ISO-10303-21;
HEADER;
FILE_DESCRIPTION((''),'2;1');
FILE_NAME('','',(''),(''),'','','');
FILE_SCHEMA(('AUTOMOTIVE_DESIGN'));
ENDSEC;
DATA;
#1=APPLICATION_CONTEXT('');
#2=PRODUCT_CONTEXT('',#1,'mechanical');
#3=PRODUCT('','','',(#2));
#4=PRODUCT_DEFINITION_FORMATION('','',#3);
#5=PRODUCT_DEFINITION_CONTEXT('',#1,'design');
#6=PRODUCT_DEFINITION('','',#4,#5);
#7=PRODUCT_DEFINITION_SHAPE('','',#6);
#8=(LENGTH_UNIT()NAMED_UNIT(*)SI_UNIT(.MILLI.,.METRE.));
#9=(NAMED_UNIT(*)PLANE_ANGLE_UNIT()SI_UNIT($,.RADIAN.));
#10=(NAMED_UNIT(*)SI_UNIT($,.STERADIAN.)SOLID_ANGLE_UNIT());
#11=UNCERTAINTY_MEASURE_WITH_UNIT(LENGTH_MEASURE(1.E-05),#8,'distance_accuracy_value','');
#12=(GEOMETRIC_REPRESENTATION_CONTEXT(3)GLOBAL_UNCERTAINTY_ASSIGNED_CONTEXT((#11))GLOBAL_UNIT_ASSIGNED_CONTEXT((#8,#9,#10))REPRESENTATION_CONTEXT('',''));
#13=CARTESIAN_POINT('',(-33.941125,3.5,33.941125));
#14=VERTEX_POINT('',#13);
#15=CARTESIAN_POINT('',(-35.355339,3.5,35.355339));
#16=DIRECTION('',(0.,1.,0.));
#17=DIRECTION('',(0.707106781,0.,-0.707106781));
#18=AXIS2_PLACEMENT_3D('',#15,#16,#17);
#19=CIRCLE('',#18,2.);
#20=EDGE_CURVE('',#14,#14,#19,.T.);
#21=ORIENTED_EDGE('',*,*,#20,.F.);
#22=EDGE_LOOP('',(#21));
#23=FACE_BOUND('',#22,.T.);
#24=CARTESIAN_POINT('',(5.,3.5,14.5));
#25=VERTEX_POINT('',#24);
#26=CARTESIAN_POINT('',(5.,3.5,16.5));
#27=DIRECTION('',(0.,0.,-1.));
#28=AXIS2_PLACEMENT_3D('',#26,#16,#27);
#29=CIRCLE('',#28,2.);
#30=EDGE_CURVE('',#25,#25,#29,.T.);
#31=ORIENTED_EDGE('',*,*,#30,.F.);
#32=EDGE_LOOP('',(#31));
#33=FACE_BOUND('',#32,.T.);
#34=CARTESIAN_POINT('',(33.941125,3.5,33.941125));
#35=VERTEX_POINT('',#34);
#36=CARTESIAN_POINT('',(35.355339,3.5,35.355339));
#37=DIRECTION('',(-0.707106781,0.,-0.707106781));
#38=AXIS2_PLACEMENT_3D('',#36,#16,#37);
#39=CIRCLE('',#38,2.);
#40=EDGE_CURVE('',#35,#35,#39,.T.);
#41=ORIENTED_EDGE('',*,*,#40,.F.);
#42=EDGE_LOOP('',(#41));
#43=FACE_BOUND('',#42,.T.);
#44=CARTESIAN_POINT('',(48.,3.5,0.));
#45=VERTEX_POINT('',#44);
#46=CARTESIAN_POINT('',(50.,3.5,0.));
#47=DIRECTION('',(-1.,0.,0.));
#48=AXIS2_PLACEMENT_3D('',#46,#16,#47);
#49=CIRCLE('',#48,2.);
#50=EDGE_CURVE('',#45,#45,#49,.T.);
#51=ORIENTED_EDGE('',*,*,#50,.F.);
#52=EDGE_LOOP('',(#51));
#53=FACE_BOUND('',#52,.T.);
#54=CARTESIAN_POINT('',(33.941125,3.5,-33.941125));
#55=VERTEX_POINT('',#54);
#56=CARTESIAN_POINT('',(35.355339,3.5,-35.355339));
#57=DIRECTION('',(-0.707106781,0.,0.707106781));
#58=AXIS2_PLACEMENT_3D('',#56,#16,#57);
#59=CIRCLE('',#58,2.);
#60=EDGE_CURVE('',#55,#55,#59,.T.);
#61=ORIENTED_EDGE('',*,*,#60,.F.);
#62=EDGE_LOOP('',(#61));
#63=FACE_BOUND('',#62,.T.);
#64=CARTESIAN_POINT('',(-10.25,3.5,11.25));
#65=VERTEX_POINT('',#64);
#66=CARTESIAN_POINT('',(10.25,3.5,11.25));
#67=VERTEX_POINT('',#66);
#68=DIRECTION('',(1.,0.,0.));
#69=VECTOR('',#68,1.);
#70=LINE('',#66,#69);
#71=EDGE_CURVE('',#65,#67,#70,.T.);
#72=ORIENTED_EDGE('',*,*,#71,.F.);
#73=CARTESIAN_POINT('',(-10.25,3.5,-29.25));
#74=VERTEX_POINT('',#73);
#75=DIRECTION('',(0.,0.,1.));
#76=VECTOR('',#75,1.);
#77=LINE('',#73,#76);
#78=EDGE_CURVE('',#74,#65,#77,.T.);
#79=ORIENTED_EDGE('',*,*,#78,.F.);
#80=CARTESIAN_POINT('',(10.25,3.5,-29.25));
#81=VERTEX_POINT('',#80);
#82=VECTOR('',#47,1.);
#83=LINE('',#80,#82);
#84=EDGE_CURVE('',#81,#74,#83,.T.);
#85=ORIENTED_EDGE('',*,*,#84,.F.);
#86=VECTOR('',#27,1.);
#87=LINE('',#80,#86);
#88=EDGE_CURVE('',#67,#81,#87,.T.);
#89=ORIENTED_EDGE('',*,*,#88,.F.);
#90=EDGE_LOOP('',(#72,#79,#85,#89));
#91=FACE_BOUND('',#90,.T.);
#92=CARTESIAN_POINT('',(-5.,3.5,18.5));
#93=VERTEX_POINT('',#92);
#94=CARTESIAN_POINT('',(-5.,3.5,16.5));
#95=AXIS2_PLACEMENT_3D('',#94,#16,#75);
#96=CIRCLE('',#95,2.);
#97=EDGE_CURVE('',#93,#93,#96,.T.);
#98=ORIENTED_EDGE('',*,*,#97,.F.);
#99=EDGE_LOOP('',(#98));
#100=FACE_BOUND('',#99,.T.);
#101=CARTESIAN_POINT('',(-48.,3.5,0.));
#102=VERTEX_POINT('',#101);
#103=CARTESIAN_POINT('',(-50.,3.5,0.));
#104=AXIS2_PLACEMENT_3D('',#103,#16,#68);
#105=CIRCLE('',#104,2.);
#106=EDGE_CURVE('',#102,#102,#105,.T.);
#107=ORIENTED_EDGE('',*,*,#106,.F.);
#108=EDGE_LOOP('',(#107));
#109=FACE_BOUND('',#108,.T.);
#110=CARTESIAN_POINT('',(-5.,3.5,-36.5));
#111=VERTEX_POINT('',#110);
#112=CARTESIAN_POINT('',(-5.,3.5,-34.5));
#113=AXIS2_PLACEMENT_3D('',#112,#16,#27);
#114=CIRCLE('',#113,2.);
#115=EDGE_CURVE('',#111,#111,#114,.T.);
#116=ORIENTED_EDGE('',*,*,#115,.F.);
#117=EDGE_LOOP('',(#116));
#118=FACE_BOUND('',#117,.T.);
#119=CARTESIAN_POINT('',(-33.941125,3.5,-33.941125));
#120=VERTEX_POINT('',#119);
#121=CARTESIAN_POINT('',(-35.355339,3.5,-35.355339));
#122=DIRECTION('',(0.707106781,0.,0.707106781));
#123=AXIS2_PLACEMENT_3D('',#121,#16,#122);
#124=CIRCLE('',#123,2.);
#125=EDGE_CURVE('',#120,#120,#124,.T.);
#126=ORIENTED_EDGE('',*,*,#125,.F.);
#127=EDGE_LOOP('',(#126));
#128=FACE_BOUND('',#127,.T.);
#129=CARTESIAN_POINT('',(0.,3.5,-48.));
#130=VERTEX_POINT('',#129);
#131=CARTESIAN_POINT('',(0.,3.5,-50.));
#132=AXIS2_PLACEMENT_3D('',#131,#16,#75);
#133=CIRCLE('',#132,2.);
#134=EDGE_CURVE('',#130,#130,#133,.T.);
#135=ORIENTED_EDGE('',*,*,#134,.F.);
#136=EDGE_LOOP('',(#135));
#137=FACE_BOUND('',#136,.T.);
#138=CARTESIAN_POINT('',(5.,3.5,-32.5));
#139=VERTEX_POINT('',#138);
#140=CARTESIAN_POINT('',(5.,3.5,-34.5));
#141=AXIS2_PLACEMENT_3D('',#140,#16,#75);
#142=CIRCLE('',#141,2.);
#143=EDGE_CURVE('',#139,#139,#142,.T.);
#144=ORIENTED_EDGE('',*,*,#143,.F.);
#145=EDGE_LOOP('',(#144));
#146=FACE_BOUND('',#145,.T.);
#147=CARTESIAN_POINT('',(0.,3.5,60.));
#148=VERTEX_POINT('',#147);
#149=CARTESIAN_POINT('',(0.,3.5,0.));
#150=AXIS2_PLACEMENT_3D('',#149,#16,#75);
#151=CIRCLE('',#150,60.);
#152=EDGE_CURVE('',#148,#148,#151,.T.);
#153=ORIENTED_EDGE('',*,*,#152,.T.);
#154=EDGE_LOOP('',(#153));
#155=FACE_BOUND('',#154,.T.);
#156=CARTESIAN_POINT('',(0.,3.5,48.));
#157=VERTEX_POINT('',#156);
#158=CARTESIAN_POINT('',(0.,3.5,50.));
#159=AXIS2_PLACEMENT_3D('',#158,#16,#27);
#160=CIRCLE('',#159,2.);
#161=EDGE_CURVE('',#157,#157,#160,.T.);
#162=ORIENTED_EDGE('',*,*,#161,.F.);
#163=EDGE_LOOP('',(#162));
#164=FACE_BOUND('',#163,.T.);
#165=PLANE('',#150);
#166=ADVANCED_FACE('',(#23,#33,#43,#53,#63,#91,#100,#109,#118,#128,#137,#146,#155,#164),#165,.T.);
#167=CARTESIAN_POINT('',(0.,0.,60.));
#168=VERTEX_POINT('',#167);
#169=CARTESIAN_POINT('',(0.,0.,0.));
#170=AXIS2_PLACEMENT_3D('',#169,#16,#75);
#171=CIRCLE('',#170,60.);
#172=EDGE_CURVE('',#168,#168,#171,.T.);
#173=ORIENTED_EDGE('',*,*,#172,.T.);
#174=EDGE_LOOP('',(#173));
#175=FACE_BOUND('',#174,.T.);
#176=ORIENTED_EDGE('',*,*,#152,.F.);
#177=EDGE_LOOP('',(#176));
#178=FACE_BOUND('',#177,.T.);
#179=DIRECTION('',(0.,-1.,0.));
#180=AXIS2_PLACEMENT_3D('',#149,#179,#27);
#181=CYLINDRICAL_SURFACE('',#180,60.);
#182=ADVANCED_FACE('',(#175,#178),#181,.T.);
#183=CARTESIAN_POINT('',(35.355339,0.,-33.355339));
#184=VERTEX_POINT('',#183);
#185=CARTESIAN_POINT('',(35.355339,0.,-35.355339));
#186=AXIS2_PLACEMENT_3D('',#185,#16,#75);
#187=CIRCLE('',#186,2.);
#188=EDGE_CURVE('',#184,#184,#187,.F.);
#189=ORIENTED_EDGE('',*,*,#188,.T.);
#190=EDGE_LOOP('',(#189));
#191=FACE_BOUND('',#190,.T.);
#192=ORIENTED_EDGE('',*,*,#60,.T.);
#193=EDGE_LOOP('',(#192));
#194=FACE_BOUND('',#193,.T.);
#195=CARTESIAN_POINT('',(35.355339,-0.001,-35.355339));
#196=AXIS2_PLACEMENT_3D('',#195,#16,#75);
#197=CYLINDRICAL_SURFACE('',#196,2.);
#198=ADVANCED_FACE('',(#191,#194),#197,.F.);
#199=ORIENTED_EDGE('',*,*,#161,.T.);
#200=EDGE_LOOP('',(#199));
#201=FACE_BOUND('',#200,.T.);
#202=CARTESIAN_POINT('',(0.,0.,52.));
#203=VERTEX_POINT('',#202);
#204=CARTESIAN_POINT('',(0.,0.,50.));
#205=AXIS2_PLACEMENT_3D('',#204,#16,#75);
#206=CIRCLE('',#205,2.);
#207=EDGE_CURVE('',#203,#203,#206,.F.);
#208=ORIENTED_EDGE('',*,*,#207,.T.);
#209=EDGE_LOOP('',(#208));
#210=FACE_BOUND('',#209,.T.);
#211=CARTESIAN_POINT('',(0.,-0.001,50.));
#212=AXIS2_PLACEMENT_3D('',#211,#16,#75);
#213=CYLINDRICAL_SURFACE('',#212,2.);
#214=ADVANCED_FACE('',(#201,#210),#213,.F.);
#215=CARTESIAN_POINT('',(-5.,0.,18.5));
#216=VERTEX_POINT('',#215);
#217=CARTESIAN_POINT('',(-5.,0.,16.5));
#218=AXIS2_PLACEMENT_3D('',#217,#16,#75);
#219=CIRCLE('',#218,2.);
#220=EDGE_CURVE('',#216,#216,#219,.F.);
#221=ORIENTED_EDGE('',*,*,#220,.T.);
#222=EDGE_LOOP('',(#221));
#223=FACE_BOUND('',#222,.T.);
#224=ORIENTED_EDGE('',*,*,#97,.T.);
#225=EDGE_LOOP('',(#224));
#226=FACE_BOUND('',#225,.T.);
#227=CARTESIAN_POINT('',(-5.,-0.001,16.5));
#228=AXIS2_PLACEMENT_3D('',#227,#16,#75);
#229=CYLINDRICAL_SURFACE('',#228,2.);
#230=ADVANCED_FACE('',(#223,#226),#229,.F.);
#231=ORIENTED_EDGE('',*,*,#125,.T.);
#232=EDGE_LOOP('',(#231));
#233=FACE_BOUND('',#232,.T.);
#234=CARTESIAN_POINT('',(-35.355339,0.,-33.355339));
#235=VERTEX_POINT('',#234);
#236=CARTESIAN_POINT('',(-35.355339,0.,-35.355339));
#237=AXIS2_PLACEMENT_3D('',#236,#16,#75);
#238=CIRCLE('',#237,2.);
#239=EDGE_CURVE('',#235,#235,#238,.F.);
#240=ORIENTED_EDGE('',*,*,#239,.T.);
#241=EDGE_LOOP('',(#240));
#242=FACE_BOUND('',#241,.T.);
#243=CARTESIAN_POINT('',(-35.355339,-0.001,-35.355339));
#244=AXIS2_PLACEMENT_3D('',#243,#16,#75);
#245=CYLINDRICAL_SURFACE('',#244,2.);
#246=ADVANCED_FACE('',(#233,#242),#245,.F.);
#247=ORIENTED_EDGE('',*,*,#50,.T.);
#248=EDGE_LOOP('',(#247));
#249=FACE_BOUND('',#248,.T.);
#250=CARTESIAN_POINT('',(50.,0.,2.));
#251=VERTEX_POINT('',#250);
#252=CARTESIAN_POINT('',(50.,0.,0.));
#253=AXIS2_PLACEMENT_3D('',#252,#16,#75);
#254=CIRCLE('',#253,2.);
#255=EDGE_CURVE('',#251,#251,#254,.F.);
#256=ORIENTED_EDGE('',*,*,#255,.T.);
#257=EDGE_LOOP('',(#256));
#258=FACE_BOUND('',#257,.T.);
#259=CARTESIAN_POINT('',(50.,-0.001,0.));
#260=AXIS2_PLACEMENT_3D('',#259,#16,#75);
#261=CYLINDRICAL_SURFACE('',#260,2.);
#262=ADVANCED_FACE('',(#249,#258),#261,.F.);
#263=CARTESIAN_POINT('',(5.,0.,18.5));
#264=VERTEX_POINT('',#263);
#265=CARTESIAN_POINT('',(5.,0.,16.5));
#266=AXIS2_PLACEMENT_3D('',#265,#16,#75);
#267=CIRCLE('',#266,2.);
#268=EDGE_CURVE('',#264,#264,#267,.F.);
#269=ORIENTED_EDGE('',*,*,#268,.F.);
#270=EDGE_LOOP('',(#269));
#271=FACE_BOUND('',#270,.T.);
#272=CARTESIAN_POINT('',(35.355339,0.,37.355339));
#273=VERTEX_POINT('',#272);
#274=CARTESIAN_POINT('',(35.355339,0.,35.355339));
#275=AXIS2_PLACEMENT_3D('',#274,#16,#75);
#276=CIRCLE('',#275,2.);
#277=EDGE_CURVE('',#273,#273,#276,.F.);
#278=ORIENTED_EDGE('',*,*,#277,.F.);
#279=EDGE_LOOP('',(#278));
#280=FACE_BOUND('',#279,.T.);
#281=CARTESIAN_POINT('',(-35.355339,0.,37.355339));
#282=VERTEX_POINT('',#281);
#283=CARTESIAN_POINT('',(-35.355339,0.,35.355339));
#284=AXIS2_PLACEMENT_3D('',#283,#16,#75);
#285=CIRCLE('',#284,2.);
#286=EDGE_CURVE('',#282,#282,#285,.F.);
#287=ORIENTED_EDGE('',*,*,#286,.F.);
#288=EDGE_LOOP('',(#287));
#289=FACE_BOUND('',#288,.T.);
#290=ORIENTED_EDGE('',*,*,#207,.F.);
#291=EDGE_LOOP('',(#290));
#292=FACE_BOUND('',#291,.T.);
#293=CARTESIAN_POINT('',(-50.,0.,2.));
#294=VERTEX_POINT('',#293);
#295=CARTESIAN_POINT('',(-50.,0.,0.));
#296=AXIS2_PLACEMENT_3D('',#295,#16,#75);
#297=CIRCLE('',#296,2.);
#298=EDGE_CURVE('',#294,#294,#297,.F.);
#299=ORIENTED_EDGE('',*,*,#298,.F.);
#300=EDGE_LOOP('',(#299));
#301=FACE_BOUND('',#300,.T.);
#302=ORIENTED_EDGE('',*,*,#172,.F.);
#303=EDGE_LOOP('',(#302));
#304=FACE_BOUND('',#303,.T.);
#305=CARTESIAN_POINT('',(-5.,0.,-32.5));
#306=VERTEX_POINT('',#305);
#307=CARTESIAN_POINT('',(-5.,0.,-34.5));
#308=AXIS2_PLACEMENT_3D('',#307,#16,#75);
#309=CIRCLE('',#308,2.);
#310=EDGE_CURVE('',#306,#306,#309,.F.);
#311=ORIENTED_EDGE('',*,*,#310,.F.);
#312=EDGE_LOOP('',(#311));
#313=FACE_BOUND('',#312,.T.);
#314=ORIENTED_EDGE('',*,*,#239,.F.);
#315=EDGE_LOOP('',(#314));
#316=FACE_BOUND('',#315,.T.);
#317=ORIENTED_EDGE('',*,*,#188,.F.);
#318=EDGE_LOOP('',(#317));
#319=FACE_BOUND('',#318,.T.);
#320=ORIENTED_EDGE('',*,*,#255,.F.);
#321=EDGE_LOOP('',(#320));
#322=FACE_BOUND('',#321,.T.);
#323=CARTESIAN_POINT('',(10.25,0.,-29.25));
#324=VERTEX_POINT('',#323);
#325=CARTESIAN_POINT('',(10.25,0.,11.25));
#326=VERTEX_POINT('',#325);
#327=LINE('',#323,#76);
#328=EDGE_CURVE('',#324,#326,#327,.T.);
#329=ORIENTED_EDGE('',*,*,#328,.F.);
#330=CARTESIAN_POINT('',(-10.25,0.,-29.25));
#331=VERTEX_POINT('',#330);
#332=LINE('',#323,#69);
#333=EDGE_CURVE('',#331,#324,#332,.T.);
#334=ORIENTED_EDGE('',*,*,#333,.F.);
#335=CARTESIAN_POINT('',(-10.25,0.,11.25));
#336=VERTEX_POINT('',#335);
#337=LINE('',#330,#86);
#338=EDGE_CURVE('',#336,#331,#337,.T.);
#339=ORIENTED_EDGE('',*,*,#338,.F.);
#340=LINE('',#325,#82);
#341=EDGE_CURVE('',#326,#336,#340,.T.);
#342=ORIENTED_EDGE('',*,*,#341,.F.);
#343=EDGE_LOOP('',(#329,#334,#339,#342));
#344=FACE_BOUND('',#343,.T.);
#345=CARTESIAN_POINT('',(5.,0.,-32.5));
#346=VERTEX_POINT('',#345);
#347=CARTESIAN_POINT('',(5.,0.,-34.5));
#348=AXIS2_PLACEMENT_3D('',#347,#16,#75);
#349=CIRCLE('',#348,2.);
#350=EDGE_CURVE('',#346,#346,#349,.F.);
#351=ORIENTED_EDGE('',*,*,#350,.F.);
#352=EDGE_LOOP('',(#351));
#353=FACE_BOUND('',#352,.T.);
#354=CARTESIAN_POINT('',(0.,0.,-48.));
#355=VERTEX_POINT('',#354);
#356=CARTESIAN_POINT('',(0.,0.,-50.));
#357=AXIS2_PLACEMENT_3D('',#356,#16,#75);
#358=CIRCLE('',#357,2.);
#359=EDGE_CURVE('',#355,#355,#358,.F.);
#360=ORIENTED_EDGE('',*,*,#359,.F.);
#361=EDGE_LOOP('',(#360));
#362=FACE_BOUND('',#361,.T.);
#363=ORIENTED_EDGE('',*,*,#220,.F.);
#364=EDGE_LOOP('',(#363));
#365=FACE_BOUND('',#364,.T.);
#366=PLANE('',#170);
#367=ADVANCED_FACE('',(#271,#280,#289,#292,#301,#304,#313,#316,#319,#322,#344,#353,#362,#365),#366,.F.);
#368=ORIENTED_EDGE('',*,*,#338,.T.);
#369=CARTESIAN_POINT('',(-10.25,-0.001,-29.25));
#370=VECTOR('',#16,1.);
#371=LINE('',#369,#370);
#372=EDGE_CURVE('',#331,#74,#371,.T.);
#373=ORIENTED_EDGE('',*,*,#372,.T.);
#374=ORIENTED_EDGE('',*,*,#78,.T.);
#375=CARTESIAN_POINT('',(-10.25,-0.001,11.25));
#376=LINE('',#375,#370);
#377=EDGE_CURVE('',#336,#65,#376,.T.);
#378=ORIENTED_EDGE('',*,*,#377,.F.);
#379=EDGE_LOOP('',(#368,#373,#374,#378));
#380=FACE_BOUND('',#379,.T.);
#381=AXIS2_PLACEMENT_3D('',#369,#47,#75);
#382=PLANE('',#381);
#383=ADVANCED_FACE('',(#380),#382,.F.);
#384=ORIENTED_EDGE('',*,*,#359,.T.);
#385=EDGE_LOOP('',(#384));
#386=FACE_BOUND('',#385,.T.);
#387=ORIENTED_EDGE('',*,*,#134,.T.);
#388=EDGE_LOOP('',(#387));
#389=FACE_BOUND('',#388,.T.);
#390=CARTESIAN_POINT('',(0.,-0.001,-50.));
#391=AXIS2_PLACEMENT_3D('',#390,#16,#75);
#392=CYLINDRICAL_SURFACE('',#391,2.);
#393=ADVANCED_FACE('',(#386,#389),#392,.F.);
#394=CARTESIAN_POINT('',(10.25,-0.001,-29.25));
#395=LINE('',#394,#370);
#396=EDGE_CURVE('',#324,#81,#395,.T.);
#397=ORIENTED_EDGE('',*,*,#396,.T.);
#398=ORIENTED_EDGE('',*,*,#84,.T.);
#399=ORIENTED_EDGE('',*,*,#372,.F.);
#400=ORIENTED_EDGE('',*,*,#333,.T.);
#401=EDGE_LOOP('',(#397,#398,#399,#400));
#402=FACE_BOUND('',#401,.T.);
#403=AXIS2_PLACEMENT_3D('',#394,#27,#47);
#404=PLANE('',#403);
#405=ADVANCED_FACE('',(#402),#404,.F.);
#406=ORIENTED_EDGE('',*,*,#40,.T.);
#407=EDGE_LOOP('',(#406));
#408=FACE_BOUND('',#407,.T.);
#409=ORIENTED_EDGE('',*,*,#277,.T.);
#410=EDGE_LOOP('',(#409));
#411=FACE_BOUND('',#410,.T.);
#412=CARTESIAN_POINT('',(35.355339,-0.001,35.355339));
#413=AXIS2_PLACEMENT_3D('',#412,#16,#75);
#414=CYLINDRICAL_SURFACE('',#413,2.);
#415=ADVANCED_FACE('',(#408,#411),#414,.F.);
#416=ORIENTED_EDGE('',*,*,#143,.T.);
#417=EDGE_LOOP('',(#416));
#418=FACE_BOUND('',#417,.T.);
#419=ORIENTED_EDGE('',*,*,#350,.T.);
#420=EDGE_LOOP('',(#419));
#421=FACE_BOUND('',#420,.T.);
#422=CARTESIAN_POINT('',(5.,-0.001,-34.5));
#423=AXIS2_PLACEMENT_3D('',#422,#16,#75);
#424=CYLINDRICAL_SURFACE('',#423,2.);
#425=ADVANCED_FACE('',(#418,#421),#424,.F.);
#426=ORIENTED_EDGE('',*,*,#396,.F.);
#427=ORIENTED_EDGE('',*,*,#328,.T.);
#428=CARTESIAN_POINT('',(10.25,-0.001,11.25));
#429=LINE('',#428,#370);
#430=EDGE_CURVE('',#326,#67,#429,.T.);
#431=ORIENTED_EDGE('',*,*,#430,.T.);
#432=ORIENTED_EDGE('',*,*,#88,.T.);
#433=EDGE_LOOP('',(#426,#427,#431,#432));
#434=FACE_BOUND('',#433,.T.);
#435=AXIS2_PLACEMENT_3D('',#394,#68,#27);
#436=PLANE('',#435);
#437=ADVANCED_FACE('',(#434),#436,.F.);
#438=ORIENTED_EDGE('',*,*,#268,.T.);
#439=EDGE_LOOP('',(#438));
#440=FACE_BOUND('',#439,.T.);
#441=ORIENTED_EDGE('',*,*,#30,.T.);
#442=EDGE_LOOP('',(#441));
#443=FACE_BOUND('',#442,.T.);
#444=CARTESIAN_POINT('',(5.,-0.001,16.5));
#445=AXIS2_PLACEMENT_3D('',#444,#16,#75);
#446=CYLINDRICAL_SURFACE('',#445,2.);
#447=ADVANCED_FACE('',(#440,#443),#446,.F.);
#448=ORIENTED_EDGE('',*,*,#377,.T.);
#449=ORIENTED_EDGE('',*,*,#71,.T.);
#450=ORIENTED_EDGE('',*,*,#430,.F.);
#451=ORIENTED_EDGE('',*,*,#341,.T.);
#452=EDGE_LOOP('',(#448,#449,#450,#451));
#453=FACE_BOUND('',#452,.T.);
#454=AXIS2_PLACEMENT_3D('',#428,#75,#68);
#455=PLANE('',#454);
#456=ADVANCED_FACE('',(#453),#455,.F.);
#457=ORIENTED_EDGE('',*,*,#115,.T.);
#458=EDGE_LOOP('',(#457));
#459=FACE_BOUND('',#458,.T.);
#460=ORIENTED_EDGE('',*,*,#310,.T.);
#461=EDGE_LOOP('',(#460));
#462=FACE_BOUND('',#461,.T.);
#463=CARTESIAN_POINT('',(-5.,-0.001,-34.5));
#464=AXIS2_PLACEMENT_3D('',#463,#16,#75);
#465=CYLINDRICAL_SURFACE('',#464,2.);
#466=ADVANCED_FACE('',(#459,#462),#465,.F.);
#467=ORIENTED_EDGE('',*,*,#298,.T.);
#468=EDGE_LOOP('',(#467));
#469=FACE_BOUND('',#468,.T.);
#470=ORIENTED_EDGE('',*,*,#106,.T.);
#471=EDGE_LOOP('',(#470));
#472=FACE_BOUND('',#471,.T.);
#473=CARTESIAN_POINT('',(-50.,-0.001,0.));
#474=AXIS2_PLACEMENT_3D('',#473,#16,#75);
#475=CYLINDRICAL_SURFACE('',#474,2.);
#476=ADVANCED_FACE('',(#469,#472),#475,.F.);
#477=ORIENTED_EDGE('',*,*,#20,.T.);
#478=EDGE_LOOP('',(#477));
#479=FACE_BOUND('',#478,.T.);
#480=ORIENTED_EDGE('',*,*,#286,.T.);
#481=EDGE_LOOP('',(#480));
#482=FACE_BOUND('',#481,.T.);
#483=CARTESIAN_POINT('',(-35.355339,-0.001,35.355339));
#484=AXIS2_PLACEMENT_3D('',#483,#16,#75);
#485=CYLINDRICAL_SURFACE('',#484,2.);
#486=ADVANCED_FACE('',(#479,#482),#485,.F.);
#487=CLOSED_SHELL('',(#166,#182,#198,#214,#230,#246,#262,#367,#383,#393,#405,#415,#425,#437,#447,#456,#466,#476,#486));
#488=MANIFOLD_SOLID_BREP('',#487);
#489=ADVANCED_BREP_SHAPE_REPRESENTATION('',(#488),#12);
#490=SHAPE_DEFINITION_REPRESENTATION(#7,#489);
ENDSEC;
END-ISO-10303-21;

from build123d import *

# Parameters (mm, degrees)
CROQUIS1_R              = 60
SALIENTE_EXTRUIR1_DEPTH = 3.5
CROQUIS2_R              = 2
CORTAR_EXTRUIR1_DEPTH   = 3.5
MATRIZC1_COUNT          = 8
CORTAR_EXTRUIR2_REACH   = 5.5
CROQUIS3_W              = 20.5
CROQUIS3_H              = 40.5
CORTAR_EXTRUIR4_REACH   = 5.5
CROQUIS5_R              = 2


with BuildPart() as part:
    # Croquis1 → Saliente-Extruir1 (new body)
    with BuildSketch(Plane(origin=(0, 0, 0), x_dir=(1, 0, 0), z_dir=(0, 1, 0))):
        Circle(CROQUIS1_R)
    extrude(amount=SALIENTE_EXTRUIR1_DEPTH)

    # Croquis2 → Cortar-Extruir1 (cut)
    with BuildSketch(Plane(origin=(0, 3.5, 0), x_dir=(1, 0, 0), z_dir=(0, 1, 0))):
        with Locations((0, 50)):
            Circle(CROQUIS2_R)
    cortar_extruir1 = extrude(amount=-CORTAR_EXTRUIR1_DEPTH, mode=Mode.SUBTRACT)

    # MatrizC1: Cortar-Extruir1 ×8 about axis
    matrizc1_axis = Axis((0, 0, 0), (0, 1, 0))
    for i in range(1, MATRIZC1_COUNT):
        add(cortar_extruir1.rotate(matrizc1_axis, i * 360 / MATRIZC1_COUNT), mode=Mode.SUBTRACT)

    # Croquis3 → Cortar-Extruir2 (cut, up to next)
    with BuildSketch(Plane(origin=(0, 3.5, 0), x_dir=(1, 0, 0), z_dir=(0, 1, 0)), mode=Mode.PRIVATE) as cortar_extruir2_sk1:
        with Locations((0, 9)):
            Rectangle(CROQUIS3_W, CROQUIS3_H)
    cortar_extruir2_tool1 = extrude(cortar_extruir2_sk1.sketch, amount=-CORTAR_EXTRUIR2_REACH, mode=Mode.PRIVATE) & part.part
    add(cortar_extruir2_tool1.solids().sort_by_distance((0, 3.5, -9))[0], mode=Mode.SUBTRACT)

    # Croquis5 → Cortar-Extruir4 (cut, up to next)
    with BuildSketch(Plane(origin=(0, 3.5, 0), x_dir=(1, 0, 0), z_dir=(0, 1, 0)), mode=Mode.PRIVATE) as cortar_extruir4_sk1:
        with Locations((5, 34.5)):
            Circle(CROQUIS5_R)
    cortar_extruir4_tool1 = extrude(cortar_extruir4_sk1.sketch, amount=-CORTAR_EXTRUIR4_REACH, mode=Mode.PRIVATE) & part.part
    add(cortar_extruir4_tool1.solids().sort_by_distance((5, 3.5, -34.5))[0], mode=Mode.SUBTRACT)
    # Croquis5 → Cortar-Extruir4 (cut, up to next)
    with BuildSketch(Plane(origin=(0, 3.5, 0), x_dir=(1, 0, 0), z_dir=(0, 1, 0)), mode=Mode.PRIVATE) as cortar_extruir4_sk2:
        with Locations((-5, 34.5)):
            Circle(CROQUIS5_R)
    cortar_extruir4_tool2 = extrude(cortar_extruir4_sk2.sketch, amount=-CORTAR_EXTRUIR4_REACH, mode=Mode.PRIVATE) & part.part
    add(cortar_extruir4_tool2.solids().sort_by_distance((-5, 3.5, -34.5))[0], mode=Mode.SUBTRACT)
    # Croquis5 → Cortar-Extruir4 (cut, up to next)
    with BuildSketch(Plane(origin=(0, 3.5, 0), x_dir=(1, 0, 0), z_dir=(0, 1, 0)), mode=Mode.PRIVATE) as cortar_extruir4_sk3:
        with Locations((-5, -16.5)):
            Circle(CROQUIS5_R)
    cortar_extruir4_tool3 = extrude(cortar_extruir4_sk3.sketch, amount=-CORTAR_EXTRUIR4_REACH, mode=Mode.PRIVATE) & part.part
    add(cortar_extruir4_tool3.solids().sort_by_distance((-5, 3.5, 16.5))[0], mode=Mode.SUBTRACT)
    # Croquis5 → Cortar-Extruir4 (cut, up to next)
    with BuildSketch(Plane(origin=(0, 3.5, 0), x_dir=(1, 0, 0), z_dir=(0, 1, 0)), mode=Mode.PRIVATE) as cortar_extruir4_sk4:
        with Locations((5, -16.5)):
            Circle(CROQUIS5_R)
    cortar_extruir4_tool4 = extrude(cortar_extruir4_sk4.sketch, amount=-CORTAR_EXTRUIR4_REACH, mode=Mode.PRIVATE) & part.part
    add(cortar_extruir4_tool4.solids().sort_by_distance((5, 3.5, 16.5))[0], mode=Mode.SUBTRACT)


solid = part.part
